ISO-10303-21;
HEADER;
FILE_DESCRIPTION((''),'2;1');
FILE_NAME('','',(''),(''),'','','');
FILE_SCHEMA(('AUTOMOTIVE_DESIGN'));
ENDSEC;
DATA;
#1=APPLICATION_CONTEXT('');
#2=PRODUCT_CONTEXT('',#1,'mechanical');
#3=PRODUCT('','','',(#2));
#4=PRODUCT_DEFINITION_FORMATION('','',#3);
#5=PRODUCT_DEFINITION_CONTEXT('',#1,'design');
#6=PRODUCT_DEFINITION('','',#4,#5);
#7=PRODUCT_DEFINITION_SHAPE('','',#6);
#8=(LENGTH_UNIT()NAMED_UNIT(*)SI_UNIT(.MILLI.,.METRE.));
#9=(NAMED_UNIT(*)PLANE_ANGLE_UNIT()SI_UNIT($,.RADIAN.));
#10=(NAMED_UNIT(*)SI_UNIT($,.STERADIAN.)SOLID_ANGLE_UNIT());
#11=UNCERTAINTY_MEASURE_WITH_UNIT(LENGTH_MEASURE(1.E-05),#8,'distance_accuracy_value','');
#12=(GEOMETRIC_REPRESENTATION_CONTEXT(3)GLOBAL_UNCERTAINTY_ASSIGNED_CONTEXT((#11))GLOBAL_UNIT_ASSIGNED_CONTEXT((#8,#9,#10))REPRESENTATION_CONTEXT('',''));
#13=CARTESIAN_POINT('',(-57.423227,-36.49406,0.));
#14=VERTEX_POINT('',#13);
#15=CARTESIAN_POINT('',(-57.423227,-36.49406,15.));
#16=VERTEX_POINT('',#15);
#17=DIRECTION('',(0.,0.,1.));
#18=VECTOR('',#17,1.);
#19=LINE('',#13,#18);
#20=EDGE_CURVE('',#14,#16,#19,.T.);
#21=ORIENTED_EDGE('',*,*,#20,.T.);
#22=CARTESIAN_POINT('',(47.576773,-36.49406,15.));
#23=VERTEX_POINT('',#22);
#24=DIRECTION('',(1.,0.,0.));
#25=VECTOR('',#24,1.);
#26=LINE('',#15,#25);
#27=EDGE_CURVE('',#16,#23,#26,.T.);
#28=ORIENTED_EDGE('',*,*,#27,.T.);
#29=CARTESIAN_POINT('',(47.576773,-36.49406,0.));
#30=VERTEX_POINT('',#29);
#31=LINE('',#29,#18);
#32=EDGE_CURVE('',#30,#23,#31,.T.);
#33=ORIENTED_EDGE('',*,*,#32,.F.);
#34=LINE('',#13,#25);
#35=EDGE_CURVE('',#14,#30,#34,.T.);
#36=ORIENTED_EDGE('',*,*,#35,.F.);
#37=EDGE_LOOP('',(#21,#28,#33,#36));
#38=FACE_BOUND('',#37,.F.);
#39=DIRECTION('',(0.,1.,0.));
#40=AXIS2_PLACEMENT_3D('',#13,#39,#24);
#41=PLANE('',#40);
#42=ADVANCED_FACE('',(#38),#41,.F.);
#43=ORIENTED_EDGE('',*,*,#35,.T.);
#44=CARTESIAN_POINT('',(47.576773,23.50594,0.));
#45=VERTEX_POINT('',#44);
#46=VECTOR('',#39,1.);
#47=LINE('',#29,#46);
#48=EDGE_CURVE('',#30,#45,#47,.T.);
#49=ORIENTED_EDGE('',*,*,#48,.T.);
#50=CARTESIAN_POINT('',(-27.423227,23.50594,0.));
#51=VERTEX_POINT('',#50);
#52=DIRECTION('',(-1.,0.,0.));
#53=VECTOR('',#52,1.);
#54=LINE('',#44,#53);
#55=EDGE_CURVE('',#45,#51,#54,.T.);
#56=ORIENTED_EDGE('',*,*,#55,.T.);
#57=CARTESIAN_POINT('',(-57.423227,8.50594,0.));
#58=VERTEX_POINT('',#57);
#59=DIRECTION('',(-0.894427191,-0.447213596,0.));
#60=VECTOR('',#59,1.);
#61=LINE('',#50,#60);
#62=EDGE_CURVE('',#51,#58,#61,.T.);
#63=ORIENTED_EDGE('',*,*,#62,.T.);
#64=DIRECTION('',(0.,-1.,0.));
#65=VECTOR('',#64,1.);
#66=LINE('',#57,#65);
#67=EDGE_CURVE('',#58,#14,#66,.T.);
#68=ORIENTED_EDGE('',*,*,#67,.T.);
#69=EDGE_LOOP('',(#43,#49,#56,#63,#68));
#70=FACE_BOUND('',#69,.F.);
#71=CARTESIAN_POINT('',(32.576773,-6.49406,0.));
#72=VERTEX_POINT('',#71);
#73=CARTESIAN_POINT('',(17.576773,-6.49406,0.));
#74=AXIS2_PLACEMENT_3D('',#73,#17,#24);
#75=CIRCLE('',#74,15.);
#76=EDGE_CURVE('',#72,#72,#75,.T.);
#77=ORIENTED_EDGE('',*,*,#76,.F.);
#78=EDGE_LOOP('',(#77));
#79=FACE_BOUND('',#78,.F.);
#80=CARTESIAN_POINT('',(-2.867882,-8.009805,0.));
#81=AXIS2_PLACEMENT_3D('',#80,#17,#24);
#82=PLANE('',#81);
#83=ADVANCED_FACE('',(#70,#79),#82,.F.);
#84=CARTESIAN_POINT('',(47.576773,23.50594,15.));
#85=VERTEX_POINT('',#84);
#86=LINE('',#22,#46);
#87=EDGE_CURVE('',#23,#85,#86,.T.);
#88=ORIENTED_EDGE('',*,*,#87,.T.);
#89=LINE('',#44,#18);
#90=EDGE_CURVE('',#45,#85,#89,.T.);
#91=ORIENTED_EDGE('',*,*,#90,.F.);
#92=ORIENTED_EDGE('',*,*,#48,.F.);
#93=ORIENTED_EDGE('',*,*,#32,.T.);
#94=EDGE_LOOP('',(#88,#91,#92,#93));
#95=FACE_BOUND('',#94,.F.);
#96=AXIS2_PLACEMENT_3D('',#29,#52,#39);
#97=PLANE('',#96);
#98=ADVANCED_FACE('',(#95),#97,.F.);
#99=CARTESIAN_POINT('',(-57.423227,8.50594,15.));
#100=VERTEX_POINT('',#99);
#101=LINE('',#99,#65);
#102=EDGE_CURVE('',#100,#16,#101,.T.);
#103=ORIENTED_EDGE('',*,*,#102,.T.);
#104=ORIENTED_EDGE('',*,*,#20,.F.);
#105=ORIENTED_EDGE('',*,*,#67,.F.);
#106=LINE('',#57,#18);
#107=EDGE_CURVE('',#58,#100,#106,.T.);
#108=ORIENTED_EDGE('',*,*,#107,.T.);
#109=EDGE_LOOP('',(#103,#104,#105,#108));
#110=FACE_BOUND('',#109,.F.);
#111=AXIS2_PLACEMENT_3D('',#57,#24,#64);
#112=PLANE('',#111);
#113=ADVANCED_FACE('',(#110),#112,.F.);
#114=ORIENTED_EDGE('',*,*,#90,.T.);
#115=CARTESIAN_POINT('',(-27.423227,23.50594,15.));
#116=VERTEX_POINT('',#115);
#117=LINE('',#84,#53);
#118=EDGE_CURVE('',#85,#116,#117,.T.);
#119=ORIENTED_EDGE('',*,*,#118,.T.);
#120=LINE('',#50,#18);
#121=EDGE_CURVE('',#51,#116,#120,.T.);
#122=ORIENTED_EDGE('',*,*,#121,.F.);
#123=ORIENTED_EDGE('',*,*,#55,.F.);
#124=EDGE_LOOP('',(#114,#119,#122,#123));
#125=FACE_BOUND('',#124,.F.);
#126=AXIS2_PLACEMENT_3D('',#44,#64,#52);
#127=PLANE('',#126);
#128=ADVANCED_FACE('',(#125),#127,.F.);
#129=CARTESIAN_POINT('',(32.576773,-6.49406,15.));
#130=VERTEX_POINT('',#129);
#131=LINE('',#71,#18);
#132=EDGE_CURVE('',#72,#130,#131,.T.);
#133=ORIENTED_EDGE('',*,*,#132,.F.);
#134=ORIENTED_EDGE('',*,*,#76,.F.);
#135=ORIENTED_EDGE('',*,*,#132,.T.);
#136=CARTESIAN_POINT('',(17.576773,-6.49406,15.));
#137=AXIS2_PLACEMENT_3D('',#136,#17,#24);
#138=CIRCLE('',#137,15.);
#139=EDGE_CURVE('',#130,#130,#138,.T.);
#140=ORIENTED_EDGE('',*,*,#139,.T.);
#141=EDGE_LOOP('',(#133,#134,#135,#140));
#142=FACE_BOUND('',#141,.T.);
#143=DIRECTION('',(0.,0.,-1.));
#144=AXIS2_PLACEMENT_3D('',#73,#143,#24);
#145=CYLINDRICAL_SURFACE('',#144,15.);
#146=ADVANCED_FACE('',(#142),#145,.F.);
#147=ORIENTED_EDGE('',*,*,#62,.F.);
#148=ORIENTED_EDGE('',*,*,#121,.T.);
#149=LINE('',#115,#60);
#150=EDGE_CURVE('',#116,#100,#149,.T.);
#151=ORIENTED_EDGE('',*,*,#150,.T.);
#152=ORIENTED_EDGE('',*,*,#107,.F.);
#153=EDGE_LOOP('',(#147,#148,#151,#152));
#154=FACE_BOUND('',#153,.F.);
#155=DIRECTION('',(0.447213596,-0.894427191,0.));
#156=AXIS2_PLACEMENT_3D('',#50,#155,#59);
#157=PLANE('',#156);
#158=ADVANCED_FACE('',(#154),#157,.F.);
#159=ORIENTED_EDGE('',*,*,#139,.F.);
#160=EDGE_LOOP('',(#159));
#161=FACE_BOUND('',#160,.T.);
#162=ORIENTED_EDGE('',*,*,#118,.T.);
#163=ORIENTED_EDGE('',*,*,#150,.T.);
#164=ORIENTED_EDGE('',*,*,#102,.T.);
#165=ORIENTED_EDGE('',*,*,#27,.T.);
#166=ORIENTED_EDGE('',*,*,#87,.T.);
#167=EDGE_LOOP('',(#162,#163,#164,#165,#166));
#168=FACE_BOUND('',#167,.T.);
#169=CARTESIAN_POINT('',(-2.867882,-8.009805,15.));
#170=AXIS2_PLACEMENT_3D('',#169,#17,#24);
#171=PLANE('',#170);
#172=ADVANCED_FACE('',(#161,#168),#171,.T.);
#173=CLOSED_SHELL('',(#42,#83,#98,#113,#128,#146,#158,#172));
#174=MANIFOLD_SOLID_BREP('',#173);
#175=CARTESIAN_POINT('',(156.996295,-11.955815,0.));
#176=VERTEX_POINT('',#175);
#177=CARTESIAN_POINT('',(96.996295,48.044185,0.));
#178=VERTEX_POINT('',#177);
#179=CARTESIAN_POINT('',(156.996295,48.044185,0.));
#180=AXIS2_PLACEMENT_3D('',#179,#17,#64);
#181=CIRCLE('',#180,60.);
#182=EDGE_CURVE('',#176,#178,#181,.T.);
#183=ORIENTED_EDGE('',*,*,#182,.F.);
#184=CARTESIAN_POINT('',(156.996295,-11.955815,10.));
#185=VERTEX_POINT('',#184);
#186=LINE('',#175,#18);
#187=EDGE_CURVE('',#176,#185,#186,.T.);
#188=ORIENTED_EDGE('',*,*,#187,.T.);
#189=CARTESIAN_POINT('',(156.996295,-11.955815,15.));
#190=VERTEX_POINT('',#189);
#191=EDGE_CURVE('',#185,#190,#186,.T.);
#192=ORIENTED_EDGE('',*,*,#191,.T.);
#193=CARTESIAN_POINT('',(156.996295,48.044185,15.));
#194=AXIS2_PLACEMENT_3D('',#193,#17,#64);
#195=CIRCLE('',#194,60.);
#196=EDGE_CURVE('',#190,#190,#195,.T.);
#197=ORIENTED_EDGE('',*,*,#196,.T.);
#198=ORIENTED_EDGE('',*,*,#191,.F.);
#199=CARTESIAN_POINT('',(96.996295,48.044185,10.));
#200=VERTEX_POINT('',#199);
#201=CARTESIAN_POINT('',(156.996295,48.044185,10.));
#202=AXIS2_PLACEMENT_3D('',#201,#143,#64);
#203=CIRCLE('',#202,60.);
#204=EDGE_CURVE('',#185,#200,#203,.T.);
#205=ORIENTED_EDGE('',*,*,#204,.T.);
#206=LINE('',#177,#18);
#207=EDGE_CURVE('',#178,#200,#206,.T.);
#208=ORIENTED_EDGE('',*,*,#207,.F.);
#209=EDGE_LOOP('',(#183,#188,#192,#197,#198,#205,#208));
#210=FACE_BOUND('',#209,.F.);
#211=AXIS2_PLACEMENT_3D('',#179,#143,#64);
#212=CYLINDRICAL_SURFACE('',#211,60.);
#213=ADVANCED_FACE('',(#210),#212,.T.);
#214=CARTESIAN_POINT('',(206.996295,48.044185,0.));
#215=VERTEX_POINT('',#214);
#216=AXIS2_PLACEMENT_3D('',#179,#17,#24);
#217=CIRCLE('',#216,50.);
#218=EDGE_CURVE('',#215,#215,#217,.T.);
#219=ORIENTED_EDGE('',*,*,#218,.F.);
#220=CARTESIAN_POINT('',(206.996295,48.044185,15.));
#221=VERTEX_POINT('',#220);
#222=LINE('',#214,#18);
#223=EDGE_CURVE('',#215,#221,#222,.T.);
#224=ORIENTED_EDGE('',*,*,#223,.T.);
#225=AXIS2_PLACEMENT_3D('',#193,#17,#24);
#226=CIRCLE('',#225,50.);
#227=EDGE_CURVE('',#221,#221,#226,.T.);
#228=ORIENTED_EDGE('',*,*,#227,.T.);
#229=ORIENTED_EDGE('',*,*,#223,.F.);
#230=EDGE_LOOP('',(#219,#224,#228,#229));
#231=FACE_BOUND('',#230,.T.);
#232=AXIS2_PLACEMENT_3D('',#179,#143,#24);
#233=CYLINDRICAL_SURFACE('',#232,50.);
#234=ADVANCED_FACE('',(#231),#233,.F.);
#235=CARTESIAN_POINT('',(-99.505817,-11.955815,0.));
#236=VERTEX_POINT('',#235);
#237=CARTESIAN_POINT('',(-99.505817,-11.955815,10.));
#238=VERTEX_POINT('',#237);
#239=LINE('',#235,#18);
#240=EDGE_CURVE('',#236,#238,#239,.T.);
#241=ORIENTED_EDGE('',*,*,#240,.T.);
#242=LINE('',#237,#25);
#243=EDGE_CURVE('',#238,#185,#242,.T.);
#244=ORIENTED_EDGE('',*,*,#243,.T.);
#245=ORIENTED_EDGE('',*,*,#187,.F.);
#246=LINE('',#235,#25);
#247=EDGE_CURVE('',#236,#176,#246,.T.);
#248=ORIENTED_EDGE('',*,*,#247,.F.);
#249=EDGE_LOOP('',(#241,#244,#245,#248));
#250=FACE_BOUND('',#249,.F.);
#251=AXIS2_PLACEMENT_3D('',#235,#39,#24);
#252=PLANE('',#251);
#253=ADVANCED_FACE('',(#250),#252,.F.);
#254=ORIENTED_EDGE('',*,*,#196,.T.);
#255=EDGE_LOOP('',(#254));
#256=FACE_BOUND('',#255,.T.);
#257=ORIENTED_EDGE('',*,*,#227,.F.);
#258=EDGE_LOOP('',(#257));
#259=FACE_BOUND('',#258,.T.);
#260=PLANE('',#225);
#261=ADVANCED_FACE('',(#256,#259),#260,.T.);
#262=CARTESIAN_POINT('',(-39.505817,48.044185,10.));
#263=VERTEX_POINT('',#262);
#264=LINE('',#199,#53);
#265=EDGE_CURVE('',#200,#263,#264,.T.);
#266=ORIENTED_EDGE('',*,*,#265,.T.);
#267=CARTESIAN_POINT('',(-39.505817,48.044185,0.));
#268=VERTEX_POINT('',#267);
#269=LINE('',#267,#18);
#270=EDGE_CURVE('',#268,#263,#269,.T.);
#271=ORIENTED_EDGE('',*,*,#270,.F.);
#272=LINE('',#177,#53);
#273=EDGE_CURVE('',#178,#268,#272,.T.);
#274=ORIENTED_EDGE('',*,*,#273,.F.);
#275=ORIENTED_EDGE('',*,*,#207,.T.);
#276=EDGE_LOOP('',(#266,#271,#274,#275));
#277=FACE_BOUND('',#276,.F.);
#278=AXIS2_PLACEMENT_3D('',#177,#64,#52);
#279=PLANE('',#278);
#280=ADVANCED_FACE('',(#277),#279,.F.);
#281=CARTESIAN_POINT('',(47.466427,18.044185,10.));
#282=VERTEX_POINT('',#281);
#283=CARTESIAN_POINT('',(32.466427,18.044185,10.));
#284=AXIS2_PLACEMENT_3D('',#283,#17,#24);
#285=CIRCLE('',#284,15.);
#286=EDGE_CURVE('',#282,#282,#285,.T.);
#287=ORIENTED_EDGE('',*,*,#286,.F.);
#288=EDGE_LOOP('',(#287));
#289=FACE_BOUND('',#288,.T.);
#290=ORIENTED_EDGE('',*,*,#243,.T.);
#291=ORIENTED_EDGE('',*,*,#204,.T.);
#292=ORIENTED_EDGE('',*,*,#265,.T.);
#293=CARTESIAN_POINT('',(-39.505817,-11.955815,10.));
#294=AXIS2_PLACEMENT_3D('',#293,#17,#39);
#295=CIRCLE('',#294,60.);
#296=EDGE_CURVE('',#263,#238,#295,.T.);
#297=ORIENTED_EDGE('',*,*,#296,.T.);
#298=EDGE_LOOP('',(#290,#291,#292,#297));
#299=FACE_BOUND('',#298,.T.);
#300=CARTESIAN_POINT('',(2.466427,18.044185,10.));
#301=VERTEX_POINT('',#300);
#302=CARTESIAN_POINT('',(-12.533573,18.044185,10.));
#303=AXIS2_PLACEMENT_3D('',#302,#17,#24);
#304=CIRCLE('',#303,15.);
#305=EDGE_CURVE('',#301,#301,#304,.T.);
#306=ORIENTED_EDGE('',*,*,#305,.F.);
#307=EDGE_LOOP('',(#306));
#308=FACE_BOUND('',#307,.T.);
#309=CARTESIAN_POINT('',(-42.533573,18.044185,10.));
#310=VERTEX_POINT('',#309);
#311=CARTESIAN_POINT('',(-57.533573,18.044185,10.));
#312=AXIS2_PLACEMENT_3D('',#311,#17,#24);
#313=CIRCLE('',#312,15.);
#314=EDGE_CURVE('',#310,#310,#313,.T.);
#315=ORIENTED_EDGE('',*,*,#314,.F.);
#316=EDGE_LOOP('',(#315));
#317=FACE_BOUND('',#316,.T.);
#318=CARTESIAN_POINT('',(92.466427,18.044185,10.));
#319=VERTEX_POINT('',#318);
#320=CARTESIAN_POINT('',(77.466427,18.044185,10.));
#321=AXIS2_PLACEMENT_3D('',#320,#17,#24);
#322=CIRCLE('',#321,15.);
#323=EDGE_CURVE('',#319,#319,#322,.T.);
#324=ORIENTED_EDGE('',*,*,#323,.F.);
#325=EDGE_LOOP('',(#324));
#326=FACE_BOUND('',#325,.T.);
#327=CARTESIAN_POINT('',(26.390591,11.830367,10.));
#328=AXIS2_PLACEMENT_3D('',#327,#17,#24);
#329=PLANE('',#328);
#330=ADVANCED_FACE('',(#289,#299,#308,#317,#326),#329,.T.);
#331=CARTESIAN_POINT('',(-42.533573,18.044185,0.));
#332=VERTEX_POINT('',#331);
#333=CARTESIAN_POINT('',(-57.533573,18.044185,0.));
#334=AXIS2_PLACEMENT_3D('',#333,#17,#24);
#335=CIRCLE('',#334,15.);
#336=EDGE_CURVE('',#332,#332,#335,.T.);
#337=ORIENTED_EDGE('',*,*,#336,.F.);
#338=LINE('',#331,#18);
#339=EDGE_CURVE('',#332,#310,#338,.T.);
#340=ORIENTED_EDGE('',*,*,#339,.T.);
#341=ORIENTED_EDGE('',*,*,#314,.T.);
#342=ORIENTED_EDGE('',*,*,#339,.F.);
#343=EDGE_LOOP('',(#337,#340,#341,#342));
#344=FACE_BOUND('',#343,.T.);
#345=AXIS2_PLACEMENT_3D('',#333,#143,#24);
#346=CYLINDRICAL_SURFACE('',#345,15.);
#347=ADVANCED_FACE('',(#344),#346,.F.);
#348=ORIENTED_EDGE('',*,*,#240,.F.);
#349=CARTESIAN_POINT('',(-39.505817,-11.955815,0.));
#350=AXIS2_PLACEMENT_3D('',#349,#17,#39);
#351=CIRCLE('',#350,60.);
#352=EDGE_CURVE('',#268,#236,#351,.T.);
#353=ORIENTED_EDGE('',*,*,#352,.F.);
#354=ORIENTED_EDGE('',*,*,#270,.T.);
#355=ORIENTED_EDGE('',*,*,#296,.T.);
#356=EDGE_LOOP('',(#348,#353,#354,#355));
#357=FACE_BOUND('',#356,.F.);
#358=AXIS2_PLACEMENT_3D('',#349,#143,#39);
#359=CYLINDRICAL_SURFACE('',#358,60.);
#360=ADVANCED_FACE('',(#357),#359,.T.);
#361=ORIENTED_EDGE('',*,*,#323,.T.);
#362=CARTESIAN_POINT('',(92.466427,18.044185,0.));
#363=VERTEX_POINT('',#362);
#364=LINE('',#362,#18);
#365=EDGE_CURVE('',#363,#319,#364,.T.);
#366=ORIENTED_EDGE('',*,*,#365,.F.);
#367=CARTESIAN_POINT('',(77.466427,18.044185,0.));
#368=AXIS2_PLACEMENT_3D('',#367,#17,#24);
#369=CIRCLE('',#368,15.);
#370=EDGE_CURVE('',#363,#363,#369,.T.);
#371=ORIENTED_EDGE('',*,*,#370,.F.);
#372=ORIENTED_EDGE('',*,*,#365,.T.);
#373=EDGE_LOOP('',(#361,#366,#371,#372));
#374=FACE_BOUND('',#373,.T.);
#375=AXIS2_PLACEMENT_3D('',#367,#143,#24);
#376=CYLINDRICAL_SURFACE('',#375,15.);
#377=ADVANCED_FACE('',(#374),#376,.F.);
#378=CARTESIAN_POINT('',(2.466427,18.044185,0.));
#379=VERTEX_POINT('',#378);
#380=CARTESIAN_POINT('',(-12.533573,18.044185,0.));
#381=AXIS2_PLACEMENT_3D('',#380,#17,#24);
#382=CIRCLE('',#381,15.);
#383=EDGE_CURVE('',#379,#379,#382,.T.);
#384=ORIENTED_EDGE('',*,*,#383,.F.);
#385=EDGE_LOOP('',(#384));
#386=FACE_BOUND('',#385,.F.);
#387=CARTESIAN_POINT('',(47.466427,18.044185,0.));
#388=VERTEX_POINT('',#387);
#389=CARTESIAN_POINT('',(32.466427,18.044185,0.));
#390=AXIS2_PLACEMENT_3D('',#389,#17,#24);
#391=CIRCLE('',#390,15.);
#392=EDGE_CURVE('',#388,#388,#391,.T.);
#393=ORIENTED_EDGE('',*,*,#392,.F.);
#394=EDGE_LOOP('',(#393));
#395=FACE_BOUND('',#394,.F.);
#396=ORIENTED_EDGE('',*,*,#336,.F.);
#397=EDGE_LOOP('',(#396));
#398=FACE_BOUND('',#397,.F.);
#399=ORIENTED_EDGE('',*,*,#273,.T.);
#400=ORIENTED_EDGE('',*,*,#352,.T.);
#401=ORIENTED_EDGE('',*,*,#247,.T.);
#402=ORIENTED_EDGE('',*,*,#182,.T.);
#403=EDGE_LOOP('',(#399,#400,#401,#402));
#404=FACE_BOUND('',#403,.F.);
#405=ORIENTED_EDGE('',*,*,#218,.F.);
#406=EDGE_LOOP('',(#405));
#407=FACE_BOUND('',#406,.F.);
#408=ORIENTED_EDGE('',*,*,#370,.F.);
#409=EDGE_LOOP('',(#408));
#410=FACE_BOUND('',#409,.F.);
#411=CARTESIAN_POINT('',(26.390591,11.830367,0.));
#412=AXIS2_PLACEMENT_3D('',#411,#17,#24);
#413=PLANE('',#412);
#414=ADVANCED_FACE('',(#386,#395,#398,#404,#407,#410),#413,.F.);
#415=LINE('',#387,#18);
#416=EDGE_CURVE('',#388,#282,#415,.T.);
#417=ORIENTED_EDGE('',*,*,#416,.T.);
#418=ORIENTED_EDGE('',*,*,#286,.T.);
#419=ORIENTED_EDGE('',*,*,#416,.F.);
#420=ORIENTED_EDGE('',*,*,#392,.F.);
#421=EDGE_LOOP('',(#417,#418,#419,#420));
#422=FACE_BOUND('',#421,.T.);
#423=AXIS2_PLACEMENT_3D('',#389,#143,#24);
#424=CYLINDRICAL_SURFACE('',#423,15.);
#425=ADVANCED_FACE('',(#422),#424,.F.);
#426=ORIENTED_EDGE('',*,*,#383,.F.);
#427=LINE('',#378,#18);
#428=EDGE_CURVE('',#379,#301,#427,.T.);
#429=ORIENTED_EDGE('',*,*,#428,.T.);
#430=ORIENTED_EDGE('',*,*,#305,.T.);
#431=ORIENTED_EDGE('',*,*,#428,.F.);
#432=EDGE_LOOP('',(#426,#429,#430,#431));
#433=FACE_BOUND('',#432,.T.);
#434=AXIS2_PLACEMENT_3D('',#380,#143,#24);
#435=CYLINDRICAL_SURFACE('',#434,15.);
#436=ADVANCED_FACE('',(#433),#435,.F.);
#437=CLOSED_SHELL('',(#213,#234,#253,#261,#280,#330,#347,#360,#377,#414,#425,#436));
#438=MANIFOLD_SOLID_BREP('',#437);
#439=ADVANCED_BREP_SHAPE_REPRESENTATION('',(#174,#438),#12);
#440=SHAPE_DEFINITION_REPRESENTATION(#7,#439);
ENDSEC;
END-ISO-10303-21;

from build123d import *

# Parameters (mm, degrees)
F1_R     = 50
F2_DEPTH = 15
F1_R_2   = 15
F3_DEPTH = 10
F4_R     = 15
F5_DEPTH = 15


with BuildPart() as f2:
    # F1 (on Top) → F2 (new body)
    with BuildSketch(Plane.XY):
        with BuildLine():
            ThreePointArc((216.9962952295, 48.0441849954), (156.9962952295, 108.0441849954), (96.9962952295, 48.0441849954))
            ThreePointArc((96.9962952295, 48.0441849954), (114.5698883583, 5.6177781242), (156.9962952295, -11.9558150046))
            ThreePointArc((156.9962952295, -11.9558150046), (199.4227021007, 5.6177781242), (216.9962952295, 48.0441849954))
        make_face()
        with Locations((156.9962952295, 48.0441849954)):
            Circle(F1_R, mode=Mode.SUBTRACT)
    extrude(amount=F2_DEPTH)

    # F1 (on Top) → F3 (join)
    with BuildSketch(Plane.XY):
        with BuildLine():
            ThreePointArc((156.9962952295, -11.9558150046), (114.5698883583, 5.6177781242), (96.9962952295, 48.0441849954))
            Line((96.9962952295, 48.0441849954), (-39.5058169961, 48.0441849954))
            ThreePointArc((-39.5058169961, 48.0441849954), (-81.9322238673, 30.4705918666), (-99.5058169961, -11.9558150046))
            Line((-99.5058169961, -11.9558150046), (-39.5058169961, -11.9558150046))
            Line((-39.5058169961, -11.9558150046), (156.9962952295, -11.9558150046))
        make_face()
        with Locations((-57.5335733734, 18.0441849954)):
            Circle(F1_R_2, mode=Mode.SUBTRACT)
        with Locations((-12.5335733734, 18.0441849954)):
            Circle(F1_R_2, mode=Mode.SUBTRACT)
        with Locations((32.4664266266, 18.0441849954)):
            Circle(F1_R_2, mode=Mode.SUBTRACT)
        with Locations((77.4664266266, 18.0441849954)):
            Circle(F1_R_2, mode=Mode.SUBTRACT)
    extrude(amount=F3_DEPTH)


with BuildPart() as f5:
    # F4 (on Top) → F5 (new body)
    with BuildSketch(Plane.XY):
        Polygon((47.5767727465, 23.5059403683), (-27.4232272535, 23.5059403683), (-57.4232272535, 8.5059403683), (-57.4232272535, -36.4940596317), (47.5767727465, -36.4940596317), align=None)
        with Locations((17.5767727465, -6.4940596317)):
            Circle(F4_R, mode=Mode.SUBTRACT)
    extrude(amount=F5_DEPTH)


solid = Compound([f2.part, f5.part])
